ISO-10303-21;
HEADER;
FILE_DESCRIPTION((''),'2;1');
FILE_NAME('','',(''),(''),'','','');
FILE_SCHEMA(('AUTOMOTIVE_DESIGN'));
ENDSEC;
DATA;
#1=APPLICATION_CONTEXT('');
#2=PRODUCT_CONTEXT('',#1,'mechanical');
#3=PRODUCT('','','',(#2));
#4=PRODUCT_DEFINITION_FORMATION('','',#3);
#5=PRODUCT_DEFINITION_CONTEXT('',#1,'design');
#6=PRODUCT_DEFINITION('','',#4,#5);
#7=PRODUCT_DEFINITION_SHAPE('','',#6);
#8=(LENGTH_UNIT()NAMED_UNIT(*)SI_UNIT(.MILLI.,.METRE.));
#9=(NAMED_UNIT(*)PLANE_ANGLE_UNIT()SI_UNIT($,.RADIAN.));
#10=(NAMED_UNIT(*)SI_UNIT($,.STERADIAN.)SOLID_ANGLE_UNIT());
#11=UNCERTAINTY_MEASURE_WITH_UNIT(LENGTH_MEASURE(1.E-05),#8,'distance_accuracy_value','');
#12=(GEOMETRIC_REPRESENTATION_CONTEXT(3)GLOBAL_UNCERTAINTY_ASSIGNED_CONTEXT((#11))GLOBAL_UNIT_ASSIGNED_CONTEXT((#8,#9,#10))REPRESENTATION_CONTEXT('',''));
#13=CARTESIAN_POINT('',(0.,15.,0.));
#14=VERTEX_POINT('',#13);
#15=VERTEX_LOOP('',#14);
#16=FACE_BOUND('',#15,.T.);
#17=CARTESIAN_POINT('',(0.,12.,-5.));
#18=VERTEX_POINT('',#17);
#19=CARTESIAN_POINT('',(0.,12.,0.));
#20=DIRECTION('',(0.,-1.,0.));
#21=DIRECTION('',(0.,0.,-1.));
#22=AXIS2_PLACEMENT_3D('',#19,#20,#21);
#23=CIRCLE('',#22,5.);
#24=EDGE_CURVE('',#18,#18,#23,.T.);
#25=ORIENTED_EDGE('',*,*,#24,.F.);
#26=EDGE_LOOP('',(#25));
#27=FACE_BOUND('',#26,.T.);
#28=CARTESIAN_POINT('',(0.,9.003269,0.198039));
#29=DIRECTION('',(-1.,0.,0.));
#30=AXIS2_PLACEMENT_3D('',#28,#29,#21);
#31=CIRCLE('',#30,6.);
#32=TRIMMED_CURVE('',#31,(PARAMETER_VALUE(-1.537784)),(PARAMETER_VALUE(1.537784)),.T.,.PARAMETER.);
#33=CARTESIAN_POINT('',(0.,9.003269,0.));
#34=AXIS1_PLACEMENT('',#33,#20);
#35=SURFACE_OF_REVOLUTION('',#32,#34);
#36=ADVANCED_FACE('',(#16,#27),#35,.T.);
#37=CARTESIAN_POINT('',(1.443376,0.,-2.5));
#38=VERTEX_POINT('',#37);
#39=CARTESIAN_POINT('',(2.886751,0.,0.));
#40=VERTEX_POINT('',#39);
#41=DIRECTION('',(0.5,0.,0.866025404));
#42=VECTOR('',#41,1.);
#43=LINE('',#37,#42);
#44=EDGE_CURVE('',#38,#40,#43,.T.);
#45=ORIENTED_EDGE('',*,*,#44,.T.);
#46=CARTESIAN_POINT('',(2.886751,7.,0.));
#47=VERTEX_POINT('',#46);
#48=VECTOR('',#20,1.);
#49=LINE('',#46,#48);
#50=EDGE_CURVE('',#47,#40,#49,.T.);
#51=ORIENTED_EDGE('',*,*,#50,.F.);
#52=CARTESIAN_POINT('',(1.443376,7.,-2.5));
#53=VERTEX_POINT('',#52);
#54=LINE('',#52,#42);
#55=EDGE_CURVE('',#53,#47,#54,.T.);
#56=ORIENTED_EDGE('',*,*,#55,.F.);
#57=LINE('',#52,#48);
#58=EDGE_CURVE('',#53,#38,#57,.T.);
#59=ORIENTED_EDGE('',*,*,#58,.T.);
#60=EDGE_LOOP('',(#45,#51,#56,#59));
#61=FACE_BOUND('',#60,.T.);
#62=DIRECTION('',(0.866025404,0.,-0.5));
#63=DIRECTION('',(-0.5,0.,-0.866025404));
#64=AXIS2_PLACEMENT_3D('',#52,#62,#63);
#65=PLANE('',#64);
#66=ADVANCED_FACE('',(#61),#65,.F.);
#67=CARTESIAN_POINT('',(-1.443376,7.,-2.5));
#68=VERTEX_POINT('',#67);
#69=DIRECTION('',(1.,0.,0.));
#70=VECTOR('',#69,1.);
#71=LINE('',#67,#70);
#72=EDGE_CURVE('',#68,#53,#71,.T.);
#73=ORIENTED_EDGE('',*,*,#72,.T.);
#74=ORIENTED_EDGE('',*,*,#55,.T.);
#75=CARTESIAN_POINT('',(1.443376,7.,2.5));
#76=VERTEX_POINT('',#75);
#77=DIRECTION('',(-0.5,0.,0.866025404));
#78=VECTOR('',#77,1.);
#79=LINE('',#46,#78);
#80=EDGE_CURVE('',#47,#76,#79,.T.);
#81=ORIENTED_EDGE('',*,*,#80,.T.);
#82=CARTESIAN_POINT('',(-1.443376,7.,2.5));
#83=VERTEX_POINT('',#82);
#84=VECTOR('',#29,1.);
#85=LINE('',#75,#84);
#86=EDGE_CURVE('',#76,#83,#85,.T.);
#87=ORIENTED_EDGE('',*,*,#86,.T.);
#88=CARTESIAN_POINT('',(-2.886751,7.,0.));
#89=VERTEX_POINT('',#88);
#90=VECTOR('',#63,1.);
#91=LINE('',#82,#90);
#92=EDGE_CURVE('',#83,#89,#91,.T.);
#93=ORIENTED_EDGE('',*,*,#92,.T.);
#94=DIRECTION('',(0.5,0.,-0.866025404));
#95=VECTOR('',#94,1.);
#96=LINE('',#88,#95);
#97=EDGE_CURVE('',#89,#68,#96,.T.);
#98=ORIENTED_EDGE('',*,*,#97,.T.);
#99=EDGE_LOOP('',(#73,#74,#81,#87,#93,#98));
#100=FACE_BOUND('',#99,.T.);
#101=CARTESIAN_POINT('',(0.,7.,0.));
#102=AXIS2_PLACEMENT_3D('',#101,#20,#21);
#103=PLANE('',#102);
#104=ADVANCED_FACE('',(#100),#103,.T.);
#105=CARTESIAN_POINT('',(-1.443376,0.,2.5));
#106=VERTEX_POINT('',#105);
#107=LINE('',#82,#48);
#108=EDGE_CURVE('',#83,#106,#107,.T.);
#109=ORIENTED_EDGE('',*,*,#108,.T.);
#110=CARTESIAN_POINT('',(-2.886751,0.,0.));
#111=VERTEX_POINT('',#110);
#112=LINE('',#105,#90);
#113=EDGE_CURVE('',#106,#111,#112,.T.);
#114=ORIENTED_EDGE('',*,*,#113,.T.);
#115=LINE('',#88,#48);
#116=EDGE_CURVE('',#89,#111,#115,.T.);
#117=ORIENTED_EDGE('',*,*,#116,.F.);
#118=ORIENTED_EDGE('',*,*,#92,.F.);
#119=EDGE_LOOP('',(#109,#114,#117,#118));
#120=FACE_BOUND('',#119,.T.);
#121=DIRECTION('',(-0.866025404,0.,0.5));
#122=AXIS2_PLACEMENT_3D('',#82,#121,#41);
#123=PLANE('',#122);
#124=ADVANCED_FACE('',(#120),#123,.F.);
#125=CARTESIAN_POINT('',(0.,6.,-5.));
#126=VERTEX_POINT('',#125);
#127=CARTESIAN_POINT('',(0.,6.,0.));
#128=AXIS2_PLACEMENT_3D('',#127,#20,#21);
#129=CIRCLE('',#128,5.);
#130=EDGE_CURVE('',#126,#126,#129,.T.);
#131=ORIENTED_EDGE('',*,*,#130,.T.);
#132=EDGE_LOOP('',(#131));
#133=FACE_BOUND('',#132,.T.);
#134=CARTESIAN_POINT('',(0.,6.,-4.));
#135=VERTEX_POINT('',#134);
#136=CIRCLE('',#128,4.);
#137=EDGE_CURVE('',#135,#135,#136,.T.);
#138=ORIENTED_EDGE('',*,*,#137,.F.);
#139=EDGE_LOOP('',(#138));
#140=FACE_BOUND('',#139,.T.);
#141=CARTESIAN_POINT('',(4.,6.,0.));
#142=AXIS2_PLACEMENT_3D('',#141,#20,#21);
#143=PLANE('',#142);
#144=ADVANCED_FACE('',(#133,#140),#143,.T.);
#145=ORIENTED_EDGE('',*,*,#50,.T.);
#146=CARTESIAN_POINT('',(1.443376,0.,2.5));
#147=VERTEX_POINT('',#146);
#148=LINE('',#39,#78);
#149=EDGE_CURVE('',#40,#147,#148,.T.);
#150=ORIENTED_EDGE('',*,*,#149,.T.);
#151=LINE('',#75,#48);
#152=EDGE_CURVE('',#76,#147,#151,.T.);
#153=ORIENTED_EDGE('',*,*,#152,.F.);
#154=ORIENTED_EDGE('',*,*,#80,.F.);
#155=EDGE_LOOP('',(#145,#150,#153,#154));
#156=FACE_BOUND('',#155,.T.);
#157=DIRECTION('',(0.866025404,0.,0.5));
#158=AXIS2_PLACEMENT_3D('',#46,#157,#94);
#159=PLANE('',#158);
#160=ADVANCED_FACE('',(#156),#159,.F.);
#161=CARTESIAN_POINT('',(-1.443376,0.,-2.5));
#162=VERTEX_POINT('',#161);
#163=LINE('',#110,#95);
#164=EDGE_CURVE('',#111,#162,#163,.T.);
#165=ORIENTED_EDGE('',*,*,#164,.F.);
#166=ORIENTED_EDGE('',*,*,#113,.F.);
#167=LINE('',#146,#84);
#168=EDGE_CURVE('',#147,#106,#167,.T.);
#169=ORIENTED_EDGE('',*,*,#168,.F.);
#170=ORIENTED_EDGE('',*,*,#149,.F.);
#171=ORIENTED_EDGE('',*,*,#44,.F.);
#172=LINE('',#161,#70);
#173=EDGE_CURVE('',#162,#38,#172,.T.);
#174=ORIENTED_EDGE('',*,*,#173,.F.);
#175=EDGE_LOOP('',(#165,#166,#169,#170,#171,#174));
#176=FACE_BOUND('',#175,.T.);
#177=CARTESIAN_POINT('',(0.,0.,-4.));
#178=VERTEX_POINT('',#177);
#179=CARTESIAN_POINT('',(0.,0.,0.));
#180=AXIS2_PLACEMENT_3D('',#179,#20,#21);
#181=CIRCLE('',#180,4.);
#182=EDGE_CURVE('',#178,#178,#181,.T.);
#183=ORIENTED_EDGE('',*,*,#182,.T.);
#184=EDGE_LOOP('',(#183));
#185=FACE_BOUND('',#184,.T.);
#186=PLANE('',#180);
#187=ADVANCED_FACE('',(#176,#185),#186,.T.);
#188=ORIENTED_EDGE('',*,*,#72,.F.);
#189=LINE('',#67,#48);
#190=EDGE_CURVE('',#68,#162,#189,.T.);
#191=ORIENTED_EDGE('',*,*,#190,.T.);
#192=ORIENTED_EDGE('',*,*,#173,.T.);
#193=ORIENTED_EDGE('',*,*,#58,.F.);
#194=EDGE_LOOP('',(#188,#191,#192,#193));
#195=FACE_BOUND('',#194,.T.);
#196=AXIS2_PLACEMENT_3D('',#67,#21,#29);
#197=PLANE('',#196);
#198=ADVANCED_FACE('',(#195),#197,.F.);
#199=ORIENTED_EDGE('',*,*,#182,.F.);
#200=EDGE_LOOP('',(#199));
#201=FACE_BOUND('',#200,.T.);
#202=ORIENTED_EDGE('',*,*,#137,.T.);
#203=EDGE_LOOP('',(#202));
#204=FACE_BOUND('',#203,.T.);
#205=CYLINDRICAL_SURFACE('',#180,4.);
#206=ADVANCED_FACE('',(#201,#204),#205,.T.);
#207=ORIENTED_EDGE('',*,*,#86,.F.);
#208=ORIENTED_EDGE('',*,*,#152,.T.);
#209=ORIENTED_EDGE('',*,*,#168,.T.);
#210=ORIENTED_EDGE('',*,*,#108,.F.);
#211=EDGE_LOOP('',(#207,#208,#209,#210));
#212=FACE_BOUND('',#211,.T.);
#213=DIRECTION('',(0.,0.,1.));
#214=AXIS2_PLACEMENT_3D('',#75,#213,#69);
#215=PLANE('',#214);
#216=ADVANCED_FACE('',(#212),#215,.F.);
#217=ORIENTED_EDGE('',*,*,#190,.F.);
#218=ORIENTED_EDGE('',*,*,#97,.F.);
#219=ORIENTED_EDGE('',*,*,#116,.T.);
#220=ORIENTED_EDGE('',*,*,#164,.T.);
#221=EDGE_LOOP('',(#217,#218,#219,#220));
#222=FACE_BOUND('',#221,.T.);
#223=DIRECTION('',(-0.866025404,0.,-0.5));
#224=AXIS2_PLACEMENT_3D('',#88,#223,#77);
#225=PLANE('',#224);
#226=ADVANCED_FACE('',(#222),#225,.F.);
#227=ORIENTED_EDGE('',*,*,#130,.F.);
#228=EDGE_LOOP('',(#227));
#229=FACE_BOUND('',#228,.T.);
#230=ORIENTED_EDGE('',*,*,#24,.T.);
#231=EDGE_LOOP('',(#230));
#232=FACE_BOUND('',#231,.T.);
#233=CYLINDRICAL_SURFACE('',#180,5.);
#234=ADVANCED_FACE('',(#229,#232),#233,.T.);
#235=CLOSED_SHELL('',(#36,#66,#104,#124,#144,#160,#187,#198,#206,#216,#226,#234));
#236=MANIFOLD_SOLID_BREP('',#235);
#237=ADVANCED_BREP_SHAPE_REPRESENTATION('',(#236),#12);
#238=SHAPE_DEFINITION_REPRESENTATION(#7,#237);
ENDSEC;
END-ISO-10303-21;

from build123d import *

# Parameters (mm, degrees)
CUT_EXTRUDE1_DEPTH = 7


with BuildPart() as part:
    # Sketch1 → Revolve1 (revolve)
    with BuildSketch(Plane.XY):
        with BuildLine():
            Line((0, 0), (0, 15))
            ThreePointArc((0, 15), (2.888936029, 14.148226716), (5, 12))
            Line((5, 12), (5, 6))
            Line((5, 6), (4, 6))
            Line((4, 6), (4, 0))
            Line((4, 0), (0, 0))
        make_face()
    revolve(axis=Axis((0, 0, 0), (0, 1, 0)))

    # Sketch2 → Cut-Extrude1 (cut)
    with BuildSketch(Plane.XZ):
        Polygon((1.443375673, -2.5), (2.886751346, 0), (1.443375673, 2.5), (-1.443375673, 2.5), (-2.886751346, 0), (-1.443375673, -2.5), align=None)
    extrude(amount=-CUT_EXTRUDE1_DEPTH, mode=Mode.SUBTRACT)


solid = part.part
